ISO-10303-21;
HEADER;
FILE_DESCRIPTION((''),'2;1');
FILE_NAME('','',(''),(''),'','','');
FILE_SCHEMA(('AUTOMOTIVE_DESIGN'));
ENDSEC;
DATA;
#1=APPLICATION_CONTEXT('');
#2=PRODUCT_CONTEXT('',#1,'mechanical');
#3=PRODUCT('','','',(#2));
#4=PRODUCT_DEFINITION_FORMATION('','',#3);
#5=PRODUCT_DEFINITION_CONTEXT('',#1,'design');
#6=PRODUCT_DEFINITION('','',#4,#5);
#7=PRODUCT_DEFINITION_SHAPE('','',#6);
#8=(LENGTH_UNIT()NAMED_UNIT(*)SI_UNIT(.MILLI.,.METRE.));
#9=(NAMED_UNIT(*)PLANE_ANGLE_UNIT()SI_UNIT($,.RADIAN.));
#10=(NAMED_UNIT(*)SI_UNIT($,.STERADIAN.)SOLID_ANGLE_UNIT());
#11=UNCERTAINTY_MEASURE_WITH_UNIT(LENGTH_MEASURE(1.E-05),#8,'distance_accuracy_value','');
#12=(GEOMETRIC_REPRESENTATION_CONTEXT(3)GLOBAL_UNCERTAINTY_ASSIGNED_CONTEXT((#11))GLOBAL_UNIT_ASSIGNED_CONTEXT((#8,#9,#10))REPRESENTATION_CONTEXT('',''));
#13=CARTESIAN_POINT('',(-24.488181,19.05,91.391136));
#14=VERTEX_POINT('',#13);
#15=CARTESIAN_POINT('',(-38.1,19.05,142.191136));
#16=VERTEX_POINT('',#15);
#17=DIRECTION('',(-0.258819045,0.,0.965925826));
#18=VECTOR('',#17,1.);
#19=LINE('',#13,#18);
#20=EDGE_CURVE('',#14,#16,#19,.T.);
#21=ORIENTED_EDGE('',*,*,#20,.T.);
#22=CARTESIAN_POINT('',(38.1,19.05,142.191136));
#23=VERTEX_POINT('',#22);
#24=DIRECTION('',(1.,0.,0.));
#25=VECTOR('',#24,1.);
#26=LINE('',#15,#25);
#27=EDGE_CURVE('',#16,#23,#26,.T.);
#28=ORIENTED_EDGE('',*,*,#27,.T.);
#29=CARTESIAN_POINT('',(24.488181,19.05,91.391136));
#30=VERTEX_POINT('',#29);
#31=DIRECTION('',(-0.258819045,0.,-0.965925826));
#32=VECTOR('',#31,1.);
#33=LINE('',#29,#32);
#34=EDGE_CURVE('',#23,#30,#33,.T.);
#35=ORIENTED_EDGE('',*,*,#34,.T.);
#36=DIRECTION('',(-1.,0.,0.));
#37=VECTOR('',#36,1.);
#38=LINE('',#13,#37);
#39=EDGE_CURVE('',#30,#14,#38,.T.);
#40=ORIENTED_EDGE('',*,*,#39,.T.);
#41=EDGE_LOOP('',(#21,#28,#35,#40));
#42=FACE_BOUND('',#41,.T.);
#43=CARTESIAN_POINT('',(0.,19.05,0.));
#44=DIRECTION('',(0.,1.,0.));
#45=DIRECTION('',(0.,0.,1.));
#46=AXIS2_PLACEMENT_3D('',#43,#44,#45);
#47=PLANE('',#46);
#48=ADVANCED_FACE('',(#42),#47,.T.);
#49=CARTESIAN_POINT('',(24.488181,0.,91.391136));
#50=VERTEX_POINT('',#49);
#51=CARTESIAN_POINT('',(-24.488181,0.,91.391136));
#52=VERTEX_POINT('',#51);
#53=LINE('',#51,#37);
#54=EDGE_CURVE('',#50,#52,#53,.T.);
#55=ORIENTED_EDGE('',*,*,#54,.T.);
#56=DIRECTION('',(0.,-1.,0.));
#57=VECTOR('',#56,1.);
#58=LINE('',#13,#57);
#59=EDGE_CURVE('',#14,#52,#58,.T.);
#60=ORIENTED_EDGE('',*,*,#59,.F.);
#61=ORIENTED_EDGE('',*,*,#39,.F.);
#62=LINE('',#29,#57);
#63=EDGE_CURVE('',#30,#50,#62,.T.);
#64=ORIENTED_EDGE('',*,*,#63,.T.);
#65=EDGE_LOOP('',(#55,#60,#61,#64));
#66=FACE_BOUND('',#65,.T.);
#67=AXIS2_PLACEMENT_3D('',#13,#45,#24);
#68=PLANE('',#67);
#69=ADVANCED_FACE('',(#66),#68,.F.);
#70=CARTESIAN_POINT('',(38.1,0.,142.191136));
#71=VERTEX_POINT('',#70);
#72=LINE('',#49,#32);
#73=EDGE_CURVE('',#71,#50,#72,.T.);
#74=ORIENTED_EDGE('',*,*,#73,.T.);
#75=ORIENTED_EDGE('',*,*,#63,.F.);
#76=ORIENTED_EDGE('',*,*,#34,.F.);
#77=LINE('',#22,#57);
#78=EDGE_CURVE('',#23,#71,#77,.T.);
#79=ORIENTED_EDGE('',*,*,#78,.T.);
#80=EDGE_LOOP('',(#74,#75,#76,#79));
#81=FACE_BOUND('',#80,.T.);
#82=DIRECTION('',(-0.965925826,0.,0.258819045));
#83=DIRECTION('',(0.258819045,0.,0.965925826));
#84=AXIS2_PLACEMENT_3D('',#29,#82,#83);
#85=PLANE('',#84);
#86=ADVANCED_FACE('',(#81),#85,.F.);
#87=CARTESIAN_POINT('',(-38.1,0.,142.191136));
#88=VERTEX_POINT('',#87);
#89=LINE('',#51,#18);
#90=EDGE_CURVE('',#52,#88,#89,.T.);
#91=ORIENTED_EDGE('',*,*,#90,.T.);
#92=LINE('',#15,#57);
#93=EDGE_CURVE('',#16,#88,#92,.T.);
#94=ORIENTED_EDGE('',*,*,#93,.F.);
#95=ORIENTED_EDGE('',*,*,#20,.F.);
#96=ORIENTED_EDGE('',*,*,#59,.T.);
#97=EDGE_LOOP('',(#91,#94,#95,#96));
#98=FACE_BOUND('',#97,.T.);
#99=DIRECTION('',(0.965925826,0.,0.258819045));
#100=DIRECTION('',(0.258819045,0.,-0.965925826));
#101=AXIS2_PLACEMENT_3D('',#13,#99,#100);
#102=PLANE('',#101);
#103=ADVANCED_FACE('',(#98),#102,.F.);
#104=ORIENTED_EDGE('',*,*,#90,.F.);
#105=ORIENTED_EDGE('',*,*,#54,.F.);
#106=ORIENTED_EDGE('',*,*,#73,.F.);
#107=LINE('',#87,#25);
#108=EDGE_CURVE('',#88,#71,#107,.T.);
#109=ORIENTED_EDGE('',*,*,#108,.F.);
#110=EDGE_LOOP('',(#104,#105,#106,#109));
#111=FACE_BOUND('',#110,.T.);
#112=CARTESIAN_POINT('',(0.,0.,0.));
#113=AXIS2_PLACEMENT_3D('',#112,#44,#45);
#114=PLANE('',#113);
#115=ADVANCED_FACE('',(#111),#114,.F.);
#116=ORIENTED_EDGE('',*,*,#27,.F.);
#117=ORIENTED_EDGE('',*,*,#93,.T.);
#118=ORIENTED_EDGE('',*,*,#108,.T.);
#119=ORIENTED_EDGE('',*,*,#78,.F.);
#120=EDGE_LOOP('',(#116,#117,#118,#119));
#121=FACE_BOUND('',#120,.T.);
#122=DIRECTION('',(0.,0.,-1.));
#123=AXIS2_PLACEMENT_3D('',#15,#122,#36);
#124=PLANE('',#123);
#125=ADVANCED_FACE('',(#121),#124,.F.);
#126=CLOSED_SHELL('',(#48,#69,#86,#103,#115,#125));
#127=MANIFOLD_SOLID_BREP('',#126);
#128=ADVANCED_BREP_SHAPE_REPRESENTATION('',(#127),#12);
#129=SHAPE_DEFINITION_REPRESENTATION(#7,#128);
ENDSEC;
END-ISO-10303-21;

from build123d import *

# Parameters (mm, degrees)
BOSS_EXTRUDE1_DEPTH = 19.05


with BuildPart() as part:
    # Sketch1 → Boss-Extrude1 (new body)
    with BuildSketch(Plane(origin=(0, 0, 0), x_dir=(1, 0, 0), z_dir=(0, 1, 0))):
        Polygon((-38.1, -142.191135768), (38.1, -142.191135768), (24.488181024, -91.391135768), (-24.488181024, -91.391135768), align=None)
    extrude(amount=BOSS_EXTRUDE1_DEPTH)


solid = part.part
